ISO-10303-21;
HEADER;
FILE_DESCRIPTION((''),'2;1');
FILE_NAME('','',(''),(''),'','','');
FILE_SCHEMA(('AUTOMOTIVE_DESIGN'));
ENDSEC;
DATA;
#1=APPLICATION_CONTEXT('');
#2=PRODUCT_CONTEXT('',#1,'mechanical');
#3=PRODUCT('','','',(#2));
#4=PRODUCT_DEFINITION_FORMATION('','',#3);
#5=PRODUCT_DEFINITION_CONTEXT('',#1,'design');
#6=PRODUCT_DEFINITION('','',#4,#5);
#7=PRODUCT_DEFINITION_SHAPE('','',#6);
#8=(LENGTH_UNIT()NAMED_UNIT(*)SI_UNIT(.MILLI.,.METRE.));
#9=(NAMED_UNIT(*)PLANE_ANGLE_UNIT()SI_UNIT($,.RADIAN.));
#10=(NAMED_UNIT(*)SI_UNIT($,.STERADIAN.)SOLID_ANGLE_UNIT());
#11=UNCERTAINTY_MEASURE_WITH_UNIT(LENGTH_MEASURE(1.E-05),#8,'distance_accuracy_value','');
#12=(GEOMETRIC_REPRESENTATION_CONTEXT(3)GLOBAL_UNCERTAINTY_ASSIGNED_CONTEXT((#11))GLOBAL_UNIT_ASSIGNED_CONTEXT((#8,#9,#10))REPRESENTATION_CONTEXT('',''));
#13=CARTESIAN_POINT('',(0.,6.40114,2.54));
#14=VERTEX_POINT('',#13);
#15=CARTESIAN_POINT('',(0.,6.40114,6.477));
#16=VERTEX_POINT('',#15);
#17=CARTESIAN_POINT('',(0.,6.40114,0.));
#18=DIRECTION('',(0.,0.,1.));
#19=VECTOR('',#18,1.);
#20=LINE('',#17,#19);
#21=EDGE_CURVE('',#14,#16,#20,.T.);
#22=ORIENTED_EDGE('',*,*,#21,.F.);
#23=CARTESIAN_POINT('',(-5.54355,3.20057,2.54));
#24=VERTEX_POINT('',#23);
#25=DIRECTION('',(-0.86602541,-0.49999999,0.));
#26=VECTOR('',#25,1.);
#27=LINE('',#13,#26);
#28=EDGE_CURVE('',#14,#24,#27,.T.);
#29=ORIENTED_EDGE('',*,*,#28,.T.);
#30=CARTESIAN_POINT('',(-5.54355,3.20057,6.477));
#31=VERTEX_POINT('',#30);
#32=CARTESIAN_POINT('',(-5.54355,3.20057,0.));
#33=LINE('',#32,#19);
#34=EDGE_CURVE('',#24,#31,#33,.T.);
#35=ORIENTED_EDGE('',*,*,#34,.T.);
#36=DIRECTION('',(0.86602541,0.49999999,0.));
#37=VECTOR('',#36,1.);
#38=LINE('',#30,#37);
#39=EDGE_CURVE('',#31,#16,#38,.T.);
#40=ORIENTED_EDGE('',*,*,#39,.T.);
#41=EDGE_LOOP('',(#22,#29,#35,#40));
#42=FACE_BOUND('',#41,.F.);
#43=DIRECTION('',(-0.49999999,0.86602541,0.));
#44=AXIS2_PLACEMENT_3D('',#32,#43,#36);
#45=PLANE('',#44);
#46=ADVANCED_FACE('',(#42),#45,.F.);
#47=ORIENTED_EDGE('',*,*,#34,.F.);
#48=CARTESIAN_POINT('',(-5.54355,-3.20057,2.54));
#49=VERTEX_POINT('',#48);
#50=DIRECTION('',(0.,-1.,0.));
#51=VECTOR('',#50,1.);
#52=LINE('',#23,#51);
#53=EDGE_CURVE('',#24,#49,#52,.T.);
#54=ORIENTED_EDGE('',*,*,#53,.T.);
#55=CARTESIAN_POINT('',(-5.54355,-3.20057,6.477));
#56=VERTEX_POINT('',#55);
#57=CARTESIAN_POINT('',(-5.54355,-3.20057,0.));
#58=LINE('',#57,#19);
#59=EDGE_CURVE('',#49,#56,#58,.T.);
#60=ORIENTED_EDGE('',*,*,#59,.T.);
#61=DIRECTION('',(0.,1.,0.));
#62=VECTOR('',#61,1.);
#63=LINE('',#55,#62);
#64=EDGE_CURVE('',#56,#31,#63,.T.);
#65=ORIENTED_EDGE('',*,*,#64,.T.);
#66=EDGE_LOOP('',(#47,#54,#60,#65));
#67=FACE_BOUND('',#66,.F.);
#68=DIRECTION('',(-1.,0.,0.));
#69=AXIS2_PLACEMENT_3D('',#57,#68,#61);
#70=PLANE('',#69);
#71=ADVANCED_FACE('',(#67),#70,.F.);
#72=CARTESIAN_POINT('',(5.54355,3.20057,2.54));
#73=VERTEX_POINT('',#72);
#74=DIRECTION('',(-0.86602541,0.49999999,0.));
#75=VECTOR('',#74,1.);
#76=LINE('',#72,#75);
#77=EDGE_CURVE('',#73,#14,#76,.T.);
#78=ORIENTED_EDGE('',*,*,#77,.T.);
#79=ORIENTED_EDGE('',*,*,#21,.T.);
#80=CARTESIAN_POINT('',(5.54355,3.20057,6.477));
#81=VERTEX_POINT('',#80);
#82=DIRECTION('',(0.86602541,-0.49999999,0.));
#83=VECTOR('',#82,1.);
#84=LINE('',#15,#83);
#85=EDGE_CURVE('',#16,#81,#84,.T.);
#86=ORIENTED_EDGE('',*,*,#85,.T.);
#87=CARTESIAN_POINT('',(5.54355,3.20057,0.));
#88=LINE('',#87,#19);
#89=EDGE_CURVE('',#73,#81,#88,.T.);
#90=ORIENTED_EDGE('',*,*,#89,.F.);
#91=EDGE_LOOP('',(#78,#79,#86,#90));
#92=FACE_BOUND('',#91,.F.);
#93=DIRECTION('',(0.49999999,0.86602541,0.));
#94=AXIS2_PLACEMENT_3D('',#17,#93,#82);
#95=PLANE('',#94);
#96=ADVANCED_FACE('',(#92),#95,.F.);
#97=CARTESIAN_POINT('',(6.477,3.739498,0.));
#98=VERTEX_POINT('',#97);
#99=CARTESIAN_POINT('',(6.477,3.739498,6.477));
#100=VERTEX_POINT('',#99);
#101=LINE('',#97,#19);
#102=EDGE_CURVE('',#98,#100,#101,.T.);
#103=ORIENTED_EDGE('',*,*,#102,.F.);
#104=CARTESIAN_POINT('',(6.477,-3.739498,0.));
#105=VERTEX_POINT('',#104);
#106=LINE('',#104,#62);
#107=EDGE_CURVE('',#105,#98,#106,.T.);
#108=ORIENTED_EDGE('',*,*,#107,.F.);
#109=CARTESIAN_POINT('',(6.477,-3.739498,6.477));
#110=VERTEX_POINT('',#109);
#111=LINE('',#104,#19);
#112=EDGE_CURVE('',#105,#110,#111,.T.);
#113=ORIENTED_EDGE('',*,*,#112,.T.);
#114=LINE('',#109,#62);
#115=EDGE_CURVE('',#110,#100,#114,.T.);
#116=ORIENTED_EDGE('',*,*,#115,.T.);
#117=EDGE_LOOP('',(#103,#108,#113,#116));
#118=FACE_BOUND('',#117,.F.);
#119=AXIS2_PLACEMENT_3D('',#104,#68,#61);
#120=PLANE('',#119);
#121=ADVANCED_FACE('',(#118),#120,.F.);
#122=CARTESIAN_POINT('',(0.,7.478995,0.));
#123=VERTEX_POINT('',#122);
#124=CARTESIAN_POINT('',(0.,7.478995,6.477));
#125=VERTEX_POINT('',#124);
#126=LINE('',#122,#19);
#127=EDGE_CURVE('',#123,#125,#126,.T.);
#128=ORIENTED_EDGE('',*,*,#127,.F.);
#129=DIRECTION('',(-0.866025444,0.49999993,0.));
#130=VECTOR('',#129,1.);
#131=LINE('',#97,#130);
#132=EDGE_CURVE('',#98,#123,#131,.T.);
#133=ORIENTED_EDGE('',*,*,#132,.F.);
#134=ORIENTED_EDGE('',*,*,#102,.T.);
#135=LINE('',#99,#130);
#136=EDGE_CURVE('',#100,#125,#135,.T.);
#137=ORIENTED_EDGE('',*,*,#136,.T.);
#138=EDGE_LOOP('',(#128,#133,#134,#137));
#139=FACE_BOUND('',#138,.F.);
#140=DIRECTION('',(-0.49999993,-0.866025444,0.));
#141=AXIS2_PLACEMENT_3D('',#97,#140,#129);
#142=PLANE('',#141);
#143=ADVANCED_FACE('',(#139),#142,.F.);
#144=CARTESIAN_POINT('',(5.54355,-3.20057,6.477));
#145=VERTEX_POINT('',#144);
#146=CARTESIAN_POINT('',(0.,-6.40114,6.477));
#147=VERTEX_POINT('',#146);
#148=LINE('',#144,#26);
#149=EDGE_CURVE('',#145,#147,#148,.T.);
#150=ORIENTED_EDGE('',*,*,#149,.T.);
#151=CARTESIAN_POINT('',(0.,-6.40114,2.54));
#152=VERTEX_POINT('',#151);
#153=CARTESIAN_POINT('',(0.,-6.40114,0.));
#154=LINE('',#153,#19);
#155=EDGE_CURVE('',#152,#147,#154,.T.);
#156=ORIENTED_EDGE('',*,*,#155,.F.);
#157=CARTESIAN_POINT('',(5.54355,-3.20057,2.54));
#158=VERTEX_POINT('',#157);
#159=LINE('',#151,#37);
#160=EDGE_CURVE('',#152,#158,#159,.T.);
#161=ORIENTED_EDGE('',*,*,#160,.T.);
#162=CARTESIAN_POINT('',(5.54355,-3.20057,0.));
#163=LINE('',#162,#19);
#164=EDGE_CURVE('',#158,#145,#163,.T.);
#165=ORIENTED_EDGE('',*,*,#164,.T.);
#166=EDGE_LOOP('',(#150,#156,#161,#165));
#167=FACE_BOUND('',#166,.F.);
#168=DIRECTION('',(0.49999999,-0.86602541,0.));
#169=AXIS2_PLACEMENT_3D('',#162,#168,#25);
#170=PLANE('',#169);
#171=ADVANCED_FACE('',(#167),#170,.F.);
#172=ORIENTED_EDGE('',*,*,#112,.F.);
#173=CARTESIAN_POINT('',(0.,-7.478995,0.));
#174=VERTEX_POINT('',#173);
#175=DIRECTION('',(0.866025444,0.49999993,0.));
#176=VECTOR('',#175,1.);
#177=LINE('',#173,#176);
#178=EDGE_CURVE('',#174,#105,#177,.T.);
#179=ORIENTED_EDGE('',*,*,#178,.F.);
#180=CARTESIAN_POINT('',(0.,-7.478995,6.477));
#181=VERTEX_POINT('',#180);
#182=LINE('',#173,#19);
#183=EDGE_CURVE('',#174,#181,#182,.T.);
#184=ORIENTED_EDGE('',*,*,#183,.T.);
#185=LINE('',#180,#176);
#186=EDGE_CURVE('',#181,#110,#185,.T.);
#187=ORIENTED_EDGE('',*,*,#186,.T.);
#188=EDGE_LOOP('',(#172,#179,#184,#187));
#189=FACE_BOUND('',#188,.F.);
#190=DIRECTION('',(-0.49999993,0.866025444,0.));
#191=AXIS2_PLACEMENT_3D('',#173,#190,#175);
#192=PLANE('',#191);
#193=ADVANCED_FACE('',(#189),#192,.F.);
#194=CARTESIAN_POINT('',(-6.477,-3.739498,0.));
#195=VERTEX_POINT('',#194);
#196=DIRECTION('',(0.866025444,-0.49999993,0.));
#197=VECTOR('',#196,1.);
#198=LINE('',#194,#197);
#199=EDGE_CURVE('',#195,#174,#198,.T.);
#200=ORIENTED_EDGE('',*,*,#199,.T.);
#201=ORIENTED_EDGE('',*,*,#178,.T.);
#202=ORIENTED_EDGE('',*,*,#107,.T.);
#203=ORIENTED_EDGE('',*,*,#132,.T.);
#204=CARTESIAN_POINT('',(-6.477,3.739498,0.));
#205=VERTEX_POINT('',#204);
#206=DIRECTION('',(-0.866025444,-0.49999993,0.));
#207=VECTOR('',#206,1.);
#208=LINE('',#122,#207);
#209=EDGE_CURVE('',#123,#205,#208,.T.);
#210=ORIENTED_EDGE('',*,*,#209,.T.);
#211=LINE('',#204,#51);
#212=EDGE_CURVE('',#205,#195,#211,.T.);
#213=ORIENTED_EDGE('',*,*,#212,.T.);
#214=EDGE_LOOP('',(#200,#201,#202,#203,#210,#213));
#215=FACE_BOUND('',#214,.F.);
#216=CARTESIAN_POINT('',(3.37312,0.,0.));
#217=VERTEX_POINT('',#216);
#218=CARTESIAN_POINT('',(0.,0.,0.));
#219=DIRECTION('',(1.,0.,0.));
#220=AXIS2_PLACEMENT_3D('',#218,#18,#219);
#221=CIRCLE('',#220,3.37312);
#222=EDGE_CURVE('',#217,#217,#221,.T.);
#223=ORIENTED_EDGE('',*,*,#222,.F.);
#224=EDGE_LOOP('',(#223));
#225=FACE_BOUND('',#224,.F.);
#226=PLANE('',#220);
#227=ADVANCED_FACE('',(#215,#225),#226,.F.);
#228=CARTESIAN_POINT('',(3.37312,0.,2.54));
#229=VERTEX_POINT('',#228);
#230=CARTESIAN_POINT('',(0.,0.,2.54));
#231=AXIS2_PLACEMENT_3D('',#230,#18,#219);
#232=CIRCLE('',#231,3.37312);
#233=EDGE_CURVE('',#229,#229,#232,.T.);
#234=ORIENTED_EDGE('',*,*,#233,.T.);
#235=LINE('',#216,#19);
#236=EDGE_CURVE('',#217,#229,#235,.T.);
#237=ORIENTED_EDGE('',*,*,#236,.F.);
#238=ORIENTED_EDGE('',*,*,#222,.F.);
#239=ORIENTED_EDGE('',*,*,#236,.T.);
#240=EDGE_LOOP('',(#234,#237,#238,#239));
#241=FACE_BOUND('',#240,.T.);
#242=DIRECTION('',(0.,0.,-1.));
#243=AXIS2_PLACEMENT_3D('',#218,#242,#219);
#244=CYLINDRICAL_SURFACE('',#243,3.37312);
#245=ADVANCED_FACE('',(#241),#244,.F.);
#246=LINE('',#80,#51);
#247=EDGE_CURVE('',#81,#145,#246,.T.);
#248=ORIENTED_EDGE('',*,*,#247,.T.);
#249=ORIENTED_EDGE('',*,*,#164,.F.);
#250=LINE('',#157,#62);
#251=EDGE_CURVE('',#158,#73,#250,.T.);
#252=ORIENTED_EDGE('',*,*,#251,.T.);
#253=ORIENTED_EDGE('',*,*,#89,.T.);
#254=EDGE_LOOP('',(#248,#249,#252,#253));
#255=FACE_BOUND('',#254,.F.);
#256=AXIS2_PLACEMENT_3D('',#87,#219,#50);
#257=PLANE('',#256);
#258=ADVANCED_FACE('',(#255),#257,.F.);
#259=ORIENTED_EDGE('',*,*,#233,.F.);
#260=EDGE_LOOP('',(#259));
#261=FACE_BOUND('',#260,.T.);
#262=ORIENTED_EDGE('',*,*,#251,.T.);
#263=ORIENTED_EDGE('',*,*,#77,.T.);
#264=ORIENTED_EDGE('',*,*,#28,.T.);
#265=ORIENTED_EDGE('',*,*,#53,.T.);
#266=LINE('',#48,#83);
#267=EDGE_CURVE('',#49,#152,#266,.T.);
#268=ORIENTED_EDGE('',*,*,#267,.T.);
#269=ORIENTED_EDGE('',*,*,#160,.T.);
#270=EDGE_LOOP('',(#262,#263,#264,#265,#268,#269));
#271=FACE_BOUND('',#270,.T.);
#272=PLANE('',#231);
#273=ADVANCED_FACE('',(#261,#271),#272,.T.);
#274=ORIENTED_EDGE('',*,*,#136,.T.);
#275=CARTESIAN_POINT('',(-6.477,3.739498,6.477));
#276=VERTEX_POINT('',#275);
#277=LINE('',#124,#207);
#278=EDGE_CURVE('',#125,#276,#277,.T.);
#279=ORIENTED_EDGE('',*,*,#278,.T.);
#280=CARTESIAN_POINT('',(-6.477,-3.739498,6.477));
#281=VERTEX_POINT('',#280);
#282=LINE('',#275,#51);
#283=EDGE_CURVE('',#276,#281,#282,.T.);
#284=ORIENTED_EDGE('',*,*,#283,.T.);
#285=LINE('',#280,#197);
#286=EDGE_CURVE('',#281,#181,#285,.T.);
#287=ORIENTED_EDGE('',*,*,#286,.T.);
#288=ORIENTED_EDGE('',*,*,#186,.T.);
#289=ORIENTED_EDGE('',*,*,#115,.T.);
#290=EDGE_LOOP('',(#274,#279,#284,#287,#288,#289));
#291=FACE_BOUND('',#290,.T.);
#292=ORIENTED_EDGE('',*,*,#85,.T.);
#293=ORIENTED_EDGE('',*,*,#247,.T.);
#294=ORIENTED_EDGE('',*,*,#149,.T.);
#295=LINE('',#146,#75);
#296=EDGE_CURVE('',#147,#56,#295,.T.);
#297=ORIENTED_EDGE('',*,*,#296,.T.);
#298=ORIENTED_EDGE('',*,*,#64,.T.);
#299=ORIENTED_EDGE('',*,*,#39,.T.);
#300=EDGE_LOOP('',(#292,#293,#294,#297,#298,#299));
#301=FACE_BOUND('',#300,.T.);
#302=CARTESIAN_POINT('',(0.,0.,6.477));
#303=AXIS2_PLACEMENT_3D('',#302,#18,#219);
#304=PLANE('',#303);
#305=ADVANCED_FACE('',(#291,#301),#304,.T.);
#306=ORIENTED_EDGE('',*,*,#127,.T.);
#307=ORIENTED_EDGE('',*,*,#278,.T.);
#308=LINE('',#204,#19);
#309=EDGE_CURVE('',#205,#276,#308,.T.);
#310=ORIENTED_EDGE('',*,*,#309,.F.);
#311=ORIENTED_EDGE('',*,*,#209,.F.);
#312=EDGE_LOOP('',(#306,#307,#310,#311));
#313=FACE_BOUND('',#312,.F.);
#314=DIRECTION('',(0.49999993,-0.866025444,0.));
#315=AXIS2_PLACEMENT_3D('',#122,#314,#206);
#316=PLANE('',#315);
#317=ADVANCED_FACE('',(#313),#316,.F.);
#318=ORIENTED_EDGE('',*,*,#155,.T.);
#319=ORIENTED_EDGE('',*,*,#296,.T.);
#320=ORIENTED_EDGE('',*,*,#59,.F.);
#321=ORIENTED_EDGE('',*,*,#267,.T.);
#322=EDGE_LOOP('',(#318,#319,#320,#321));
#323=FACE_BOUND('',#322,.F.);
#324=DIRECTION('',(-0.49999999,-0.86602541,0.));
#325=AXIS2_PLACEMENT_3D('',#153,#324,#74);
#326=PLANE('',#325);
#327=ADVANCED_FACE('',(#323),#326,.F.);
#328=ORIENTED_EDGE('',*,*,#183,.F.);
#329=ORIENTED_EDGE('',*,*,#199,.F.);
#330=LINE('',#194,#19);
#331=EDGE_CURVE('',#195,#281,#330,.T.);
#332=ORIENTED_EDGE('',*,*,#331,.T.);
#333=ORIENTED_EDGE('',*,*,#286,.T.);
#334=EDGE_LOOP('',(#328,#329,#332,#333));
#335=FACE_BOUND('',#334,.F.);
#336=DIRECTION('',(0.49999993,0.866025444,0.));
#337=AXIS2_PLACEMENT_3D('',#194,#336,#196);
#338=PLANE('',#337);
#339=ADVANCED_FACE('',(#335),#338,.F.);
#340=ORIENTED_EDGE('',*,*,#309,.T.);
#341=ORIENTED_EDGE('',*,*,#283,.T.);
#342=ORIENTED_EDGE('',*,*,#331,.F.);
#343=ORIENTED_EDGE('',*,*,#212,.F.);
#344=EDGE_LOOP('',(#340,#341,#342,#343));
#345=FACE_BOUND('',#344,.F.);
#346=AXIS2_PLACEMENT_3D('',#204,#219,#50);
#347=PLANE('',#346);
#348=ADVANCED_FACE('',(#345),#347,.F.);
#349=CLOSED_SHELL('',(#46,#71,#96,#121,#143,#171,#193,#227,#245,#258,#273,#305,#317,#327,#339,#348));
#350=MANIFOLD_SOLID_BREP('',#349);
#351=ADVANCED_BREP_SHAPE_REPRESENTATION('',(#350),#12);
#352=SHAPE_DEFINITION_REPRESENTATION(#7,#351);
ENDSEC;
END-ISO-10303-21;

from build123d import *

# Parameters (mm, degrees)
F0_R     = 3.37312
F1_DEPTH = 2.54
F2_DEPTH = 6.477


with BuildPart() as f1:
    # F0 (on Top) → F1 (new body)
    with BuildSketch(Plane.XY):
        Polygon((5.54355, -3.20057), (5.54355, 3.20057), (0, 6.40114), (-5.54355, 3.20057), (-5.54355, -3.20057), (0, -6.40114), align=None)
        Circle(F0_R, mode=Mode.SUBTRACT)
    extrude(amount=F1_DEPTH)

    # F0 (on Top) → F2 (join)
    with BuildSketch(Plane.XY):
        Polygon((6.477, -3.739498), (6.477, 3.739498), (0, 7.478995), (-6.477, 3.739498), (-6.477, -3.739498), (0, -7.478995), align=None)
        Polygon((0, 6.40114), (5.54355, 3.20057), (5.54355, -3.20057), (0, -6.40114), (-5.54355, -3.20057), (-5.54355, 3.20057), align=None, mode=Mode.SUBTRACT)
    extrude(amount=F2_DEPTH)


solid = f1.part
